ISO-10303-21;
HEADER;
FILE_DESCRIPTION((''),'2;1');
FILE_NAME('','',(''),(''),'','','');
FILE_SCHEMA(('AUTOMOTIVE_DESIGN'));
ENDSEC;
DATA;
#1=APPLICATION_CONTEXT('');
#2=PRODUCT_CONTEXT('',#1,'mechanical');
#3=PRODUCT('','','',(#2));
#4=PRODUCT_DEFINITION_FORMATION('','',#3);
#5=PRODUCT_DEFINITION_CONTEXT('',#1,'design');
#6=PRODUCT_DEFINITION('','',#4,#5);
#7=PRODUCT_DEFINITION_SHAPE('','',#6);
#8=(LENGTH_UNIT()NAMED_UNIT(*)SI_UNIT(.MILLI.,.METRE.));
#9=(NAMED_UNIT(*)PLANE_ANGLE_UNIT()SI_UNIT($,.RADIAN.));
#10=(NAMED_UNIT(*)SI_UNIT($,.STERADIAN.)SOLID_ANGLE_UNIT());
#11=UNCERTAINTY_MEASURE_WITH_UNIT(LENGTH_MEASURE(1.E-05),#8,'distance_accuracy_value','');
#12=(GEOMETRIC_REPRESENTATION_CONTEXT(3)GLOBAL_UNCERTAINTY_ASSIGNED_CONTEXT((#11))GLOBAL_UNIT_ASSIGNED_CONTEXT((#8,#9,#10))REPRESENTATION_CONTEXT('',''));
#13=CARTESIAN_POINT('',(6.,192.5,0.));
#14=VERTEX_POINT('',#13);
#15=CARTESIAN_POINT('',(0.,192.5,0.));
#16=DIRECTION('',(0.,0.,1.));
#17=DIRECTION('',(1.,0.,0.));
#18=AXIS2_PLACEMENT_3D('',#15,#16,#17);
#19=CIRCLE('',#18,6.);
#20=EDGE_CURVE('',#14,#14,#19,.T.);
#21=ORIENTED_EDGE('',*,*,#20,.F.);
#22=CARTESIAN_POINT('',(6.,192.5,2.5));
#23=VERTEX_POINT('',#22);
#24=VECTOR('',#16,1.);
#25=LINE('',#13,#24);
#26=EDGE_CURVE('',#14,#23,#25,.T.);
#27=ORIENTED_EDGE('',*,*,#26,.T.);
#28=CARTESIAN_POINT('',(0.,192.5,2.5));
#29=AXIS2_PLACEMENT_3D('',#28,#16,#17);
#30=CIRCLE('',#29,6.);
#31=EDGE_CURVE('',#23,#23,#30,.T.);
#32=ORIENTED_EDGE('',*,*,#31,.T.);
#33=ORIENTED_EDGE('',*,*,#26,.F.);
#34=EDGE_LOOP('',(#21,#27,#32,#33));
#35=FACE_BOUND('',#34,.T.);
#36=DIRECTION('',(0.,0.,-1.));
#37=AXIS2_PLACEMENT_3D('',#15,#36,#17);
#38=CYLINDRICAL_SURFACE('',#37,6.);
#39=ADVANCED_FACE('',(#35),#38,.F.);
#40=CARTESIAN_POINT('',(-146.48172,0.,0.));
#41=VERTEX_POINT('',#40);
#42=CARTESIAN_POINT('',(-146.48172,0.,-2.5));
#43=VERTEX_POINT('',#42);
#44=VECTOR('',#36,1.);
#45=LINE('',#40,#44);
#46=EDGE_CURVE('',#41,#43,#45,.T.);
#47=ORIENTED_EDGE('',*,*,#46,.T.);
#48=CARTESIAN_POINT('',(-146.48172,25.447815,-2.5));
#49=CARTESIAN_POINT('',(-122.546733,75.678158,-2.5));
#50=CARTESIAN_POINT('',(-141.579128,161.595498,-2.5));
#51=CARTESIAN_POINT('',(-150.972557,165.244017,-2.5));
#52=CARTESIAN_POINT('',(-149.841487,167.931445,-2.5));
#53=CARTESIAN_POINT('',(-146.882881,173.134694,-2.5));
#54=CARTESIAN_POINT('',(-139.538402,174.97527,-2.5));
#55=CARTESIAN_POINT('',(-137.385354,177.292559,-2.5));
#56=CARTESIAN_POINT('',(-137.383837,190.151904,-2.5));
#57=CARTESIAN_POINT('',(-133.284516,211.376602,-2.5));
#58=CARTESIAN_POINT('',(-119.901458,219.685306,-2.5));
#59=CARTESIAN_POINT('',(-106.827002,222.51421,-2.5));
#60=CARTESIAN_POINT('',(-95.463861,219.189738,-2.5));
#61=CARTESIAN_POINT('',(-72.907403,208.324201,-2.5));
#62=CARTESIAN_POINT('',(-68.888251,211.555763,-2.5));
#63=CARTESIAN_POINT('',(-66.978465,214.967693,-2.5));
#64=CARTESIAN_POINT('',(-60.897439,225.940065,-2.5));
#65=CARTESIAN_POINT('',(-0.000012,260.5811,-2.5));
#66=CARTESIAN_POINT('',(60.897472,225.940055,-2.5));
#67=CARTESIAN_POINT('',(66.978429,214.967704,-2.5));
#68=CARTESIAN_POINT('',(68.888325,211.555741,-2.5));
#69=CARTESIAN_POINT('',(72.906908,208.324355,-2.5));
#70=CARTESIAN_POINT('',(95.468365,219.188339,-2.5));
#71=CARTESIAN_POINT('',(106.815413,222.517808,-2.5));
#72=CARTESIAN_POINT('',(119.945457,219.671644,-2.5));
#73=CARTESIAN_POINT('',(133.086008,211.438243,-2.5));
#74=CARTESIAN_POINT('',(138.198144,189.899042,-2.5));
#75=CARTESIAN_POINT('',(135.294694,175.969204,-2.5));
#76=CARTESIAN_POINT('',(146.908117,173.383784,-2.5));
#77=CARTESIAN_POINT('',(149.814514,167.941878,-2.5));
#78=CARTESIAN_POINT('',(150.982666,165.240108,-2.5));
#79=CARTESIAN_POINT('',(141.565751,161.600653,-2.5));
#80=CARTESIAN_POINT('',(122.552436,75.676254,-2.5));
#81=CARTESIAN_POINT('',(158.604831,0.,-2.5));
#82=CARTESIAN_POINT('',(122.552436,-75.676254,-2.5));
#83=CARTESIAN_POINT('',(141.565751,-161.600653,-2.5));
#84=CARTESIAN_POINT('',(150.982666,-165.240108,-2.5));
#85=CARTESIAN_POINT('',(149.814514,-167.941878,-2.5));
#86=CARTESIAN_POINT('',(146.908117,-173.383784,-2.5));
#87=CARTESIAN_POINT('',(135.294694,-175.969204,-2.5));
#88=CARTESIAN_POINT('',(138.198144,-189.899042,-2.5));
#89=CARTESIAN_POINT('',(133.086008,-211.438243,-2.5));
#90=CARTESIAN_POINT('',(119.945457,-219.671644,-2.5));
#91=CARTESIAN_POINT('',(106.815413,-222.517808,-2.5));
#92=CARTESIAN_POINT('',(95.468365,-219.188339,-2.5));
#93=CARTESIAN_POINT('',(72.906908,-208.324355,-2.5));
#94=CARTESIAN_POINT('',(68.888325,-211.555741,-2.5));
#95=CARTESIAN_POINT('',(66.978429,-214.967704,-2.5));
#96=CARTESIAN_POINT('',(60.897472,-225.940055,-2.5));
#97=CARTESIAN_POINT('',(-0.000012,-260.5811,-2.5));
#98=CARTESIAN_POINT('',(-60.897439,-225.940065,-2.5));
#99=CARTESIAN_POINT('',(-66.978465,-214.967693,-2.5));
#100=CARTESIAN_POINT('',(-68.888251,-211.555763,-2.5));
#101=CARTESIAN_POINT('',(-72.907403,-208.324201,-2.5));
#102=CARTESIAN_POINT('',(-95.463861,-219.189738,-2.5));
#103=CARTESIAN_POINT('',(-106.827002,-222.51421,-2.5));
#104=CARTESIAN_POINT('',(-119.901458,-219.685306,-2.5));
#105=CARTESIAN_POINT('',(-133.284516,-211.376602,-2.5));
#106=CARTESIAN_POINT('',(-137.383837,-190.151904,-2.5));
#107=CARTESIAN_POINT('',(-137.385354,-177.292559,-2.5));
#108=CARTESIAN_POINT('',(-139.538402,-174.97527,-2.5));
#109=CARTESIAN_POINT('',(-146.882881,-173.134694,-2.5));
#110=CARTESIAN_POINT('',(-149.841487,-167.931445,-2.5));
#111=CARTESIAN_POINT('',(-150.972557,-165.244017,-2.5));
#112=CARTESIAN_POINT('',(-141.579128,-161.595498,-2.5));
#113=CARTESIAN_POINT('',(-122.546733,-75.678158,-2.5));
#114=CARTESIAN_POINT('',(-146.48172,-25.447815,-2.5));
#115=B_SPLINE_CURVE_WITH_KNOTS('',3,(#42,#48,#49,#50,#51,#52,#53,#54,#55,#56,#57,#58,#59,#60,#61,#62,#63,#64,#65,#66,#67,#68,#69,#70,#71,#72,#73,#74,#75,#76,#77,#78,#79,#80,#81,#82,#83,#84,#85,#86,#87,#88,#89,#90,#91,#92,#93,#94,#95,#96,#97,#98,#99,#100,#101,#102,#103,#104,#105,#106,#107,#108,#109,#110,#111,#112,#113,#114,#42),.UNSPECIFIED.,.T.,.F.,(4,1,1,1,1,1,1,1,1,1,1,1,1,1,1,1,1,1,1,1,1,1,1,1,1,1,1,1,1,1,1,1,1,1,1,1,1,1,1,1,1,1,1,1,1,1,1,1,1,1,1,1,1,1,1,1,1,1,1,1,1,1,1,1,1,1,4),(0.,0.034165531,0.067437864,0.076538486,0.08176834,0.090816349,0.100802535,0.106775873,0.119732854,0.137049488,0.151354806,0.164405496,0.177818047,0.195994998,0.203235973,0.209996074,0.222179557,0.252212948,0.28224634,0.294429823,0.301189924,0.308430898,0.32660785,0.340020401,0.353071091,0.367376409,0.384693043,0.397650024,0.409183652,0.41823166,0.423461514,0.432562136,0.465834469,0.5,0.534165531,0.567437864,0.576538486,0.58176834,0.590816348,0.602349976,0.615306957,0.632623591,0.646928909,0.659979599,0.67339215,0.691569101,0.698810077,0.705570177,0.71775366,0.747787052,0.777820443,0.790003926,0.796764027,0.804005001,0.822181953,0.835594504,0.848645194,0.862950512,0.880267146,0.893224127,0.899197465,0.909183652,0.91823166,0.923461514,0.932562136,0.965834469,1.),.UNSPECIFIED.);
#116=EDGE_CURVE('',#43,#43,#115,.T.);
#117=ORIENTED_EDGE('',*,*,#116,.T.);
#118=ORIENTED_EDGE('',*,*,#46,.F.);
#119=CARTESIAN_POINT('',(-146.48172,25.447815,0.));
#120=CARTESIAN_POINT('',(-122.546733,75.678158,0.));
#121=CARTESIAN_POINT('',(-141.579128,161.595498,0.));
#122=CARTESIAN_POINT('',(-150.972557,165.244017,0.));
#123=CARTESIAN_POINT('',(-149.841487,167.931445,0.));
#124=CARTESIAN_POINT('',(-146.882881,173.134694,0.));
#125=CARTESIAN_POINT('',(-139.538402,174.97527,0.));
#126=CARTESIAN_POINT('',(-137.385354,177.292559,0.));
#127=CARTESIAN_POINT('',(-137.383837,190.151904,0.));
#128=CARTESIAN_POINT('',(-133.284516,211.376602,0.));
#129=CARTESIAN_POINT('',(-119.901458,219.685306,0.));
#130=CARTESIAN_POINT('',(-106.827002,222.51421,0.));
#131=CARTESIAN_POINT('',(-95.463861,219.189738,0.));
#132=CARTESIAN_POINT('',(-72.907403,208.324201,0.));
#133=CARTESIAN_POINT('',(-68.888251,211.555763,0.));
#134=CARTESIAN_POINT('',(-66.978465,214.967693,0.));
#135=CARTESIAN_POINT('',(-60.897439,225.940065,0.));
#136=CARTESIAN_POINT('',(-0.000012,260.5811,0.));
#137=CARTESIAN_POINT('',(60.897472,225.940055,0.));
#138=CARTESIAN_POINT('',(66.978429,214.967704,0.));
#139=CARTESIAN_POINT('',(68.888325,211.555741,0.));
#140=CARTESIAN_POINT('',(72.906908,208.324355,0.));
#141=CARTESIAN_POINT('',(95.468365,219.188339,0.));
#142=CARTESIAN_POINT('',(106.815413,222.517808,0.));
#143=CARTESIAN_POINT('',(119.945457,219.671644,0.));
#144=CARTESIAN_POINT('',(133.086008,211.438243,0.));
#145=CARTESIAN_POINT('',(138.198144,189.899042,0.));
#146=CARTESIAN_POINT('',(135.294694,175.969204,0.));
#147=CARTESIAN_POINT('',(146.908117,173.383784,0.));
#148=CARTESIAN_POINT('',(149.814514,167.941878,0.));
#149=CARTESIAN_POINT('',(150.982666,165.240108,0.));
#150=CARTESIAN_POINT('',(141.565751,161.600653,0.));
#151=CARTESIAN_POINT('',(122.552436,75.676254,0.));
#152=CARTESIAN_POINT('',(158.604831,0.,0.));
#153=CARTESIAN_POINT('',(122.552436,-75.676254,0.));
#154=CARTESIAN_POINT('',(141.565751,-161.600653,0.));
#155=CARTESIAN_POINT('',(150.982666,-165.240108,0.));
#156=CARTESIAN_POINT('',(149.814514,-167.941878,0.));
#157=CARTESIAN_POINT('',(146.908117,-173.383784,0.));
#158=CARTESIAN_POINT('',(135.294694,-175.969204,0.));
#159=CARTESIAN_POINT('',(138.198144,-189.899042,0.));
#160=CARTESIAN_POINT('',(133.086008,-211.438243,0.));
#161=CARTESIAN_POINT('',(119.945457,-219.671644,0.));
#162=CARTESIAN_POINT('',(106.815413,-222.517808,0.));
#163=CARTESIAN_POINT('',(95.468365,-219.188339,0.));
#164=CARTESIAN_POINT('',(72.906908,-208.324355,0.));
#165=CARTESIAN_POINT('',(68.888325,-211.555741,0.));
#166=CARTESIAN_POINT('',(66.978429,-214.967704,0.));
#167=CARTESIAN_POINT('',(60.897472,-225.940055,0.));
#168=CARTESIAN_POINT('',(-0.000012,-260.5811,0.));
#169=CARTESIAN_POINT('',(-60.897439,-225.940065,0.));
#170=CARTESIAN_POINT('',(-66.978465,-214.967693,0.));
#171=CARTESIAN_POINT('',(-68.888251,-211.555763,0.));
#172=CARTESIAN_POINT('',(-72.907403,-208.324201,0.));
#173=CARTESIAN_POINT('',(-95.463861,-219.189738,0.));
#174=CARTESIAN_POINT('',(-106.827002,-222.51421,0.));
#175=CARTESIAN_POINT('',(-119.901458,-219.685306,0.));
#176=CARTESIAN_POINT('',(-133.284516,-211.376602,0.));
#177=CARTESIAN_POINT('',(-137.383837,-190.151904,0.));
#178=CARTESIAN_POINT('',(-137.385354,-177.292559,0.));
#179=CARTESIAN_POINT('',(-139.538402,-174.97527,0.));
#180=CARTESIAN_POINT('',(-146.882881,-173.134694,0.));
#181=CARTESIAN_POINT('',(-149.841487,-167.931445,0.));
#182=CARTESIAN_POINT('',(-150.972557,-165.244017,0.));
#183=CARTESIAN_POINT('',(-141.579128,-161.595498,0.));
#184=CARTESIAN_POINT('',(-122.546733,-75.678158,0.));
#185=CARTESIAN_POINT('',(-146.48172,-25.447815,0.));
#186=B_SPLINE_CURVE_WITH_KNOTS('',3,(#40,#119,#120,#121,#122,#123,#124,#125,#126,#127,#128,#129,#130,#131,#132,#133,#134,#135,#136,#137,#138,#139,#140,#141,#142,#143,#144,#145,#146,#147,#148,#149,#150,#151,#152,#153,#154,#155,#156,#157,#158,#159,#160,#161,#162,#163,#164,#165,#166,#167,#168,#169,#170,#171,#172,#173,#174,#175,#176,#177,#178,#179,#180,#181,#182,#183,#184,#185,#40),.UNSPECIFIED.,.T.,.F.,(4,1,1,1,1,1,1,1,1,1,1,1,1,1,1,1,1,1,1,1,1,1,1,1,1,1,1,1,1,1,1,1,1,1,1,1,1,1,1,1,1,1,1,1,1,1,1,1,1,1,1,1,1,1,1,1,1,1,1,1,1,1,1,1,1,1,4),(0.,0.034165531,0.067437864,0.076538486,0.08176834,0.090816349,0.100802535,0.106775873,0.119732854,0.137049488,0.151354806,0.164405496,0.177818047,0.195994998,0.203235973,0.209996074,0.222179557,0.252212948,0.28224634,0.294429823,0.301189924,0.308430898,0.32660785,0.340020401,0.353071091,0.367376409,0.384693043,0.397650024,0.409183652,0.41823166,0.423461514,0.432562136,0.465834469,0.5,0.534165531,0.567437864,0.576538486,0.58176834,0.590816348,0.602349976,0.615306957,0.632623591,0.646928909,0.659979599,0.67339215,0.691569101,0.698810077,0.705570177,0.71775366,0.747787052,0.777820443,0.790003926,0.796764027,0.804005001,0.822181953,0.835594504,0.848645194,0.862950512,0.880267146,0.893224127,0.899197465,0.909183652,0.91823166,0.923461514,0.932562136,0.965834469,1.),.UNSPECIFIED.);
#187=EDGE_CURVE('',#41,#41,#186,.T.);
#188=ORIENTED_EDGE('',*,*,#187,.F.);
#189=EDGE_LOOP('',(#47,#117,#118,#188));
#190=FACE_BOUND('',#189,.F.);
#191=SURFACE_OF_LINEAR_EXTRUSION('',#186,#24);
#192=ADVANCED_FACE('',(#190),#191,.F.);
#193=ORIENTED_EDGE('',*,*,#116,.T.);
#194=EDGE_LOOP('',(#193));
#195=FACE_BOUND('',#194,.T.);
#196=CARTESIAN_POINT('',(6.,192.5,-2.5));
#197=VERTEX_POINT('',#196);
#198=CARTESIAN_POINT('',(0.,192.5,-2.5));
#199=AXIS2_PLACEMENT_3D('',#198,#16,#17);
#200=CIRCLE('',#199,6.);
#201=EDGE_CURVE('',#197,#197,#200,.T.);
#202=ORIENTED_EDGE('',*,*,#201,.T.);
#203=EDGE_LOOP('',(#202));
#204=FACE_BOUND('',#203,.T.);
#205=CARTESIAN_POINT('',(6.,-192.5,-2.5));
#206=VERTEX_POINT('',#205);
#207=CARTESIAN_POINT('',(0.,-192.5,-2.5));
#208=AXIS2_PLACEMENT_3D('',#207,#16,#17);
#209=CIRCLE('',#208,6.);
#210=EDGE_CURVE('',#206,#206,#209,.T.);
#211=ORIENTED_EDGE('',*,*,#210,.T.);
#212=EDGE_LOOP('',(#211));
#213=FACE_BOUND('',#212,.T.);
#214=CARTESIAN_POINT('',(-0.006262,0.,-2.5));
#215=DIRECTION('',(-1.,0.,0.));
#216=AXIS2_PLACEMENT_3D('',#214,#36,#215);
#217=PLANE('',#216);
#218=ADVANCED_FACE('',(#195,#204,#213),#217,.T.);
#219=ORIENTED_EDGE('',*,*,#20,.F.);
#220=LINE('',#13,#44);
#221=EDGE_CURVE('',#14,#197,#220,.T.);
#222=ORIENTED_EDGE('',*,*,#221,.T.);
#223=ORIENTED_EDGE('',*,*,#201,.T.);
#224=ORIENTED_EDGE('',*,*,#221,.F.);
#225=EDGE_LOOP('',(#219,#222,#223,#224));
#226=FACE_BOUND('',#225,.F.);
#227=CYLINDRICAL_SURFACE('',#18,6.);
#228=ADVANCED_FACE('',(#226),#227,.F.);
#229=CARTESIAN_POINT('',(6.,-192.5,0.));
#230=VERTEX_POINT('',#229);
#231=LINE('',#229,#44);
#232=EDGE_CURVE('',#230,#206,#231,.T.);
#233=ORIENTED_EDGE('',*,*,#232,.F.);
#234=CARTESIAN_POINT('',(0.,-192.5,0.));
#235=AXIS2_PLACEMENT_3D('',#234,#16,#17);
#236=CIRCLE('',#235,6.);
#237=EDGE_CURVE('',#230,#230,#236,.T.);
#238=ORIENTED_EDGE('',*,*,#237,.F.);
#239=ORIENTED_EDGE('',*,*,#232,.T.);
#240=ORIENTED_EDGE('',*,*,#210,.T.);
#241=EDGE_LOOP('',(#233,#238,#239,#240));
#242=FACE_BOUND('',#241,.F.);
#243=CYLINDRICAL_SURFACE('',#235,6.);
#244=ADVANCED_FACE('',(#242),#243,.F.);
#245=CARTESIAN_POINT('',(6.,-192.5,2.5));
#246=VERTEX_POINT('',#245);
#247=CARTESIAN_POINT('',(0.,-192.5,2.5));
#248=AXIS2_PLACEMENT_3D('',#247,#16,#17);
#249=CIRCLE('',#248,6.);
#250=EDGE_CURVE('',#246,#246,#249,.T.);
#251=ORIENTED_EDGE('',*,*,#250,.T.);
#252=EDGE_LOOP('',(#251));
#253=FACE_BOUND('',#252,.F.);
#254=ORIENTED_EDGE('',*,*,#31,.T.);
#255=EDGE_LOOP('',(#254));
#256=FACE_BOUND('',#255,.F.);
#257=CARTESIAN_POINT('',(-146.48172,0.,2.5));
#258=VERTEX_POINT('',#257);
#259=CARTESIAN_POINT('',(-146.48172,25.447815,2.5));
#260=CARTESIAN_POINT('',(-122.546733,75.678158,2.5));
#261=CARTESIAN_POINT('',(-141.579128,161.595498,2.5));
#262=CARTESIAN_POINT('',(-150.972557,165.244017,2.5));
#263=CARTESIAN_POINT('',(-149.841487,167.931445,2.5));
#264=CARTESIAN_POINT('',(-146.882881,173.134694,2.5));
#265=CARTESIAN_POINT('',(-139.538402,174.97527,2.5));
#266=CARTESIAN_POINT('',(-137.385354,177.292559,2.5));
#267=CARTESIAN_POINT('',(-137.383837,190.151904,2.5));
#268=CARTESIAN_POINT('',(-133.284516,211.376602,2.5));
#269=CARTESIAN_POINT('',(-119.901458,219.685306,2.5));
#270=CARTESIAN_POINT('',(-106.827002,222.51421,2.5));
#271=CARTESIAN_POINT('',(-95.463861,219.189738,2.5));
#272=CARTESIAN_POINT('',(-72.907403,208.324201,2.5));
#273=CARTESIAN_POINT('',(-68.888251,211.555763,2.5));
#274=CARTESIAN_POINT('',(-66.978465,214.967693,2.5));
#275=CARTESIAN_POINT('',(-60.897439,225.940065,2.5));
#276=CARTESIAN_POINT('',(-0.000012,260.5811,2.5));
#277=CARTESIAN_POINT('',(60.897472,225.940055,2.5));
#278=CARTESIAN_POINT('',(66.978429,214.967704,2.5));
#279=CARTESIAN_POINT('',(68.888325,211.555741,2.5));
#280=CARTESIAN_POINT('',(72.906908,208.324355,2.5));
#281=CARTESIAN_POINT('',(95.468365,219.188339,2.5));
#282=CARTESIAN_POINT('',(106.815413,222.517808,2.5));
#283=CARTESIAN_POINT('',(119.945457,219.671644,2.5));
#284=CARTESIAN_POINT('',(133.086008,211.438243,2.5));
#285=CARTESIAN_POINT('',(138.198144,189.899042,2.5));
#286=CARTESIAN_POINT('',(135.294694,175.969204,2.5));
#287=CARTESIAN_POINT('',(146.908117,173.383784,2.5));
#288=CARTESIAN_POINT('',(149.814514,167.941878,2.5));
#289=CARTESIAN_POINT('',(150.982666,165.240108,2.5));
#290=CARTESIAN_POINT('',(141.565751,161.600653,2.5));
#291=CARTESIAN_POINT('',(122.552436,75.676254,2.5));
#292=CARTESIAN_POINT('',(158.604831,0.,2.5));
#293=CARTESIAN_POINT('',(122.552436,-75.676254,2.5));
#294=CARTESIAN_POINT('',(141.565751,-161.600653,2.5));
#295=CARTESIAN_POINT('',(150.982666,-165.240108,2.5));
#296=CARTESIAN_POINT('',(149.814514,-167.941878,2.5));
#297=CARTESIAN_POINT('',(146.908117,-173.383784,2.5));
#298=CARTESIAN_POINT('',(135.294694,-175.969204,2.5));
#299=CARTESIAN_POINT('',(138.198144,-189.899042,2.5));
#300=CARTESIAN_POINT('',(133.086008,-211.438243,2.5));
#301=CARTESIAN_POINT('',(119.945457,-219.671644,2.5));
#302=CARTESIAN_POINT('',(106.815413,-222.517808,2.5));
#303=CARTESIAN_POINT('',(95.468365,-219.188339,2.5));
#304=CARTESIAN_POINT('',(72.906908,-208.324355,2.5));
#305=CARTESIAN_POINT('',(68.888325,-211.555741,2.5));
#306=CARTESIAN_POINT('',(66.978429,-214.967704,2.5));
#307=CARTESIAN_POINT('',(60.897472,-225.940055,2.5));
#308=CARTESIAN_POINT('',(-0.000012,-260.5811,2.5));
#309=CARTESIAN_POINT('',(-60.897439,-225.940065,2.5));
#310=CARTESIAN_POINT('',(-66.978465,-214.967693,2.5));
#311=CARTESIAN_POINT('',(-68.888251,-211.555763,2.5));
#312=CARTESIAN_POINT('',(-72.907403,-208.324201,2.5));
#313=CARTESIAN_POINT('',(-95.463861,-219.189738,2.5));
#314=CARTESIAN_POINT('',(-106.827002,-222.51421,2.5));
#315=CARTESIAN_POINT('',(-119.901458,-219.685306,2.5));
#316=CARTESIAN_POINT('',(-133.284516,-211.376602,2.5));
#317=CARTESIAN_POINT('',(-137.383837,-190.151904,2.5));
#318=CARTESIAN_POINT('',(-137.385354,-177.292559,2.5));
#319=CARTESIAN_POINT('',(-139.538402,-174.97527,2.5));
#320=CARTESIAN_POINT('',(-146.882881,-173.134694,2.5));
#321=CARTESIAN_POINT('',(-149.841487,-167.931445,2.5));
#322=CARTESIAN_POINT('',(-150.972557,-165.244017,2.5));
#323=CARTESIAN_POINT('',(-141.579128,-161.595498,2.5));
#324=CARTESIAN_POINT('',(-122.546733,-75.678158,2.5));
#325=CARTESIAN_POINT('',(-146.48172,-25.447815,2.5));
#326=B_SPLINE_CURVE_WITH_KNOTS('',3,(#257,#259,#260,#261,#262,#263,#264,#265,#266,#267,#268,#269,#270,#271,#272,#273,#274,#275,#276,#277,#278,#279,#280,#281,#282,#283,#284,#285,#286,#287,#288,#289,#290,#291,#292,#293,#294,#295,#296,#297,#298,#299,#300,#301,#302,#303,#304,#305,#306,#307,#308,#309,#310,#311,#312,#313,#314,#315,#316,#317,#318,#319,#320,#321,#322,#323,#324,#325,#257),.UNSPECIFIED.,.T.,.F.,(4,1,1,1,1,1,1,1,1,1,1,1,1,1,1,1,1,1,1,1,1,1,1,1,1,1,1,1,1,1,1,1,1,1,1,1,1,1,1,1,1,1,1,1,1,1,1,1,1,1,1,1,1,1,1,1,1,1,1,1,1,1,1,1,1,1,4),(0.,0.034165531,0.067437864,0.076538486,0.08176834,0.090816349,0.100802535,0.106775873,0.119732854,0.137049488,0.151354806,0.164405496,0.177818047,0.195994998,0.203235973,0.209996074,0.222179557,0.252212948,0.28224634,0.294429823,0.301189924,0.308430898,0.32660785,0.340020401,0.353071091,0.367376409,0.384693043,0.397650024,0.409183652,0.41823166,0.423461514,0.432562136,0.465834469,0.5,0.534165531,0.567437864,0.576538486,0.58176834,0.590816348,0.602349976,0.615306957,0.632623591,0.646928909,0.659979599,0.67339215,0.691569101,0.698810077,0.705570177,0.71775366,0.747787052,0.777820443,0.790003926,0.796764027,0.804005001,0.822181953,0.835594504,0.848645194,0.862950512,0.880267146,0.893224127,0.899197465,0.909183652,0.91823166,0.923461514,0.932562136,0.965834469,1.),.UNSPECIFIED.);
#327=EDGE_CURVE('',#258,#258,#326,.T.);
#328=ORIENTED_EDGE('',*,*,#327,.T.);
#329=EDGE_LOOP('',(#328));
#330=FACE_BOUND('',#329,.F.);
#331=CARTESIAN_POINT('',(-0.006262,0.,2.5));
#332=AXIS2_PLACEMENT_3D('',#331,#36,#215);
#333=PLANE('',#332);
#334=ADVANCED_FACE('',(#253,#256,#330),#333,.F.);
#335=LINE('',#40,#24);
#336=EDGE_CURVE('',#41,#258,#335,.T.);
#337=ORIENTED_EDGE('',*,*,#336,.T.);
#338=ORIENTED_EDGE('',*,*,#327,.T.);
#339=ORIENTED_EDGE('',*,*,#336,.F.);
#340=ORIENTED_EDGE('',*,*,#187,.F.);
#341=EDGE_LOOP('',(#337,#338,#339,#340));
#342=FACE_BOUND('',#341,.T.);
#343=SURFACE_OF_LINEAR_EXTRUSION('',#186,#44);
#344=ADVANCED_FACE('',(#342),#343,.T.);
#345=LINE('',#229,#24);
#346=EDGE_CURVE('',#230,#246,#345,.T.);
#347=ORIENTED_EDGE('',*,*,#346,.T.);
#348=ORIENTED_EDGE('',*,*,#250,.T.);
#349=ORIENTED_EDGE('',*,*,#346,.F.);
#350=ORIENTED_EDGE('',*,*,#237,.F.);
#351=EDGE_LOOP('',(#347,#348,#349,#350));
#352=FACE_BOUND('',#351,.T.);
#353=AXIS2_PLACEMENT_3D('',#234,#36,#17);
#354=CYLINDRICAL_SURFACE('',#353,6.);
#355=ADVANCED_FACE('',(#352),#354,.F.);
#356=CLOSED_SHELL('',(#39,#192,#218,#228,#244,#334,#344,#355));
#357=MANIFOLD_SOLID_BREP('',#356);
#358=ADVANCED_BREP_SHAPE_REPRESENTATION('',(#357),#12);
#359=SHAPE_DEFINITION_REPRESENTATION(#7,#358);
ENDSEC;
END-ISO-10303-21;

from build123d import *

# Parameters (mm, degrees)
F0_R     = 6
F1_DEPTH = 2.5


with BuildPart() as f1:
    # F0 (on Top) → F1 (new body, symmetric)
    with BuildSketch(Plane.XY):
        with BuildLine():
            add(Edge.make_bspline(
                [(-146.48172, 0), (-146.48172, 25.4478153819), (-122.5467325745, 75.678158022), (-141.5791277863, 161.5954978407), (-150.9725570258, 165.244016864), (-149.8414871478, 167.931445087), (-146.8828805914, 173.134693532), (-139.5384022991, 174.9752703775), (-137.3853538588, 177.2925586054), (-137.3838373596, 190.1519040409), (-133.2845158848, 211.3766015223), (-119.9014584444, 219.6853062402), (-106.8270023644, 222.5142095845), (-95.4638608233, 219.1897380057), (-72.9074034574, 208.324201111), (-68.88825128, 211.5557632932), (-66.978464727, 214.9676927601), (-60.8974388018, 225.9400648682), (-1.16807e-05, 260.581099675), (60.89747164, 225.9400554088), (66.9784285598, 214.9677039291), (68.8883246138, 211.5557405344), (72.9069082139, 208.324354886), (95.4683645376, 219.1883394976), (106.8154131797, 222.5178083021), (119.9454566233, 219.6716437565), (133.0860078368, 211.438243005), (138.1981443915, 189.8990422884), (135.2946940658, 175.9692044489), (146.9081170888, 173.3837837124), (149.8145140132, 167.9418781187), (150.9826656424, 165.240108017), (141.5657505805, 161.6006525105), (122.5524359182, 75.6762541385), (158.6048306843, 0), (122.5524359182, -75.6762541385), (141.5657505805, -161.6006525105), (150.9826656424, -165.240108017), (149.8145140132, -167.9418781187), (146.9081170888, -173.3837837124), (135.2946940658, -175.9692044489), (138.1981443915, -189.8990422884), (133.0860078368, -211.438243005), (119.9454566233, -219.6716437565), (106.8154131797, -222.5178083021), (95.4683645376, -219.1883394976), (72.9069082139, -208.324354886), (68.8883246138, -211.5557405344), (66.9784285598, -214.9677039291), (60.89747164, -225.9400554088), (-1.16807e-05, -260.581099675), (-60.8974388018, -225.9400648682), (-66.978464727, -214.9676927601), (-68.88825128, -211.5557632932), (-72.9074034574, -208.324201111), (-95.4638608233, -219.1897380057), (-106.8270023644, -222.5142095845), (-119.9014584444, -219.6853062402), (-133.2845158848, -211.3766015223), (-137.3838373596, -190.1519040409), (-137.3853538588, -177.2925586054), (-139.5384022991, -174.9752703775), (-146.8828805914, -173.134693532), (-149.8414871478, -167.931445087), (-150.9725570258, -165.244016864), (-141.5791277863, -161.5954978407), (-122.5467325745, -75.678158022), (-146.48172, -25.4478153819), (-146.48172, 0)],
                knots=[0, 0, 0, 0, 0.0341655307, 0.0674378641, 0.0765384861, 0.0817683397, 0.0908163485, 0.1008025352, 0.1067758727, 0.1197328544, 0.1370494884, 0.1513548064, 0.1644054957, 0.1778180472, 0.1959949985, 0.2032359734, 0.2099960741, 0.2221795566, 0.2522129485, 0.2822463404, 0.2944298229, 0.3011899235, 0.3084308985, 0.3266078498, 0.3400204013, 0.3530710906, 0.3673764086, 0.3846930426, 0.3976500243, 0.4091836515, 0.4182316603, 0.4234615139, 0.4325621359, 0.4658344693, 0.5, 0.5341655307, 0.5674378641, 0.5765384861, 0.5817683397, 0.5908163485, 0.6023499757, 0.6153069574, 0.6326235914, 0.6469289094, 0.6599795987, 0.6733921502, 0.6915691015, 0.6988100765, 0.7055701771, 0.7177536596, 0.7477870515, 0.7778204434, 0.7900039259, 0.7967640266, 0.8040050015, 0.8221819528, 0.8355945043, 0.8486451936, 0.8629505116, 0.8802671456, 0.8932241273, 0.8991974648, 0.9091836515, 0.9182316603, 0.9234615139, 0.9325621359, 0.9658344693, 1, 1, 1, 1], degree=3))
        make_face()
        with Locations((0, -192.5)):
            Circle(F0_R, mode=Mode.SUBTRACT)
        with Locations((0, 192.5)):
            Circle(F0_R, mode=Mode.SUBTRACT)
    extrude(amount=F1_DEPTH, both=True)


solid = f1.part
